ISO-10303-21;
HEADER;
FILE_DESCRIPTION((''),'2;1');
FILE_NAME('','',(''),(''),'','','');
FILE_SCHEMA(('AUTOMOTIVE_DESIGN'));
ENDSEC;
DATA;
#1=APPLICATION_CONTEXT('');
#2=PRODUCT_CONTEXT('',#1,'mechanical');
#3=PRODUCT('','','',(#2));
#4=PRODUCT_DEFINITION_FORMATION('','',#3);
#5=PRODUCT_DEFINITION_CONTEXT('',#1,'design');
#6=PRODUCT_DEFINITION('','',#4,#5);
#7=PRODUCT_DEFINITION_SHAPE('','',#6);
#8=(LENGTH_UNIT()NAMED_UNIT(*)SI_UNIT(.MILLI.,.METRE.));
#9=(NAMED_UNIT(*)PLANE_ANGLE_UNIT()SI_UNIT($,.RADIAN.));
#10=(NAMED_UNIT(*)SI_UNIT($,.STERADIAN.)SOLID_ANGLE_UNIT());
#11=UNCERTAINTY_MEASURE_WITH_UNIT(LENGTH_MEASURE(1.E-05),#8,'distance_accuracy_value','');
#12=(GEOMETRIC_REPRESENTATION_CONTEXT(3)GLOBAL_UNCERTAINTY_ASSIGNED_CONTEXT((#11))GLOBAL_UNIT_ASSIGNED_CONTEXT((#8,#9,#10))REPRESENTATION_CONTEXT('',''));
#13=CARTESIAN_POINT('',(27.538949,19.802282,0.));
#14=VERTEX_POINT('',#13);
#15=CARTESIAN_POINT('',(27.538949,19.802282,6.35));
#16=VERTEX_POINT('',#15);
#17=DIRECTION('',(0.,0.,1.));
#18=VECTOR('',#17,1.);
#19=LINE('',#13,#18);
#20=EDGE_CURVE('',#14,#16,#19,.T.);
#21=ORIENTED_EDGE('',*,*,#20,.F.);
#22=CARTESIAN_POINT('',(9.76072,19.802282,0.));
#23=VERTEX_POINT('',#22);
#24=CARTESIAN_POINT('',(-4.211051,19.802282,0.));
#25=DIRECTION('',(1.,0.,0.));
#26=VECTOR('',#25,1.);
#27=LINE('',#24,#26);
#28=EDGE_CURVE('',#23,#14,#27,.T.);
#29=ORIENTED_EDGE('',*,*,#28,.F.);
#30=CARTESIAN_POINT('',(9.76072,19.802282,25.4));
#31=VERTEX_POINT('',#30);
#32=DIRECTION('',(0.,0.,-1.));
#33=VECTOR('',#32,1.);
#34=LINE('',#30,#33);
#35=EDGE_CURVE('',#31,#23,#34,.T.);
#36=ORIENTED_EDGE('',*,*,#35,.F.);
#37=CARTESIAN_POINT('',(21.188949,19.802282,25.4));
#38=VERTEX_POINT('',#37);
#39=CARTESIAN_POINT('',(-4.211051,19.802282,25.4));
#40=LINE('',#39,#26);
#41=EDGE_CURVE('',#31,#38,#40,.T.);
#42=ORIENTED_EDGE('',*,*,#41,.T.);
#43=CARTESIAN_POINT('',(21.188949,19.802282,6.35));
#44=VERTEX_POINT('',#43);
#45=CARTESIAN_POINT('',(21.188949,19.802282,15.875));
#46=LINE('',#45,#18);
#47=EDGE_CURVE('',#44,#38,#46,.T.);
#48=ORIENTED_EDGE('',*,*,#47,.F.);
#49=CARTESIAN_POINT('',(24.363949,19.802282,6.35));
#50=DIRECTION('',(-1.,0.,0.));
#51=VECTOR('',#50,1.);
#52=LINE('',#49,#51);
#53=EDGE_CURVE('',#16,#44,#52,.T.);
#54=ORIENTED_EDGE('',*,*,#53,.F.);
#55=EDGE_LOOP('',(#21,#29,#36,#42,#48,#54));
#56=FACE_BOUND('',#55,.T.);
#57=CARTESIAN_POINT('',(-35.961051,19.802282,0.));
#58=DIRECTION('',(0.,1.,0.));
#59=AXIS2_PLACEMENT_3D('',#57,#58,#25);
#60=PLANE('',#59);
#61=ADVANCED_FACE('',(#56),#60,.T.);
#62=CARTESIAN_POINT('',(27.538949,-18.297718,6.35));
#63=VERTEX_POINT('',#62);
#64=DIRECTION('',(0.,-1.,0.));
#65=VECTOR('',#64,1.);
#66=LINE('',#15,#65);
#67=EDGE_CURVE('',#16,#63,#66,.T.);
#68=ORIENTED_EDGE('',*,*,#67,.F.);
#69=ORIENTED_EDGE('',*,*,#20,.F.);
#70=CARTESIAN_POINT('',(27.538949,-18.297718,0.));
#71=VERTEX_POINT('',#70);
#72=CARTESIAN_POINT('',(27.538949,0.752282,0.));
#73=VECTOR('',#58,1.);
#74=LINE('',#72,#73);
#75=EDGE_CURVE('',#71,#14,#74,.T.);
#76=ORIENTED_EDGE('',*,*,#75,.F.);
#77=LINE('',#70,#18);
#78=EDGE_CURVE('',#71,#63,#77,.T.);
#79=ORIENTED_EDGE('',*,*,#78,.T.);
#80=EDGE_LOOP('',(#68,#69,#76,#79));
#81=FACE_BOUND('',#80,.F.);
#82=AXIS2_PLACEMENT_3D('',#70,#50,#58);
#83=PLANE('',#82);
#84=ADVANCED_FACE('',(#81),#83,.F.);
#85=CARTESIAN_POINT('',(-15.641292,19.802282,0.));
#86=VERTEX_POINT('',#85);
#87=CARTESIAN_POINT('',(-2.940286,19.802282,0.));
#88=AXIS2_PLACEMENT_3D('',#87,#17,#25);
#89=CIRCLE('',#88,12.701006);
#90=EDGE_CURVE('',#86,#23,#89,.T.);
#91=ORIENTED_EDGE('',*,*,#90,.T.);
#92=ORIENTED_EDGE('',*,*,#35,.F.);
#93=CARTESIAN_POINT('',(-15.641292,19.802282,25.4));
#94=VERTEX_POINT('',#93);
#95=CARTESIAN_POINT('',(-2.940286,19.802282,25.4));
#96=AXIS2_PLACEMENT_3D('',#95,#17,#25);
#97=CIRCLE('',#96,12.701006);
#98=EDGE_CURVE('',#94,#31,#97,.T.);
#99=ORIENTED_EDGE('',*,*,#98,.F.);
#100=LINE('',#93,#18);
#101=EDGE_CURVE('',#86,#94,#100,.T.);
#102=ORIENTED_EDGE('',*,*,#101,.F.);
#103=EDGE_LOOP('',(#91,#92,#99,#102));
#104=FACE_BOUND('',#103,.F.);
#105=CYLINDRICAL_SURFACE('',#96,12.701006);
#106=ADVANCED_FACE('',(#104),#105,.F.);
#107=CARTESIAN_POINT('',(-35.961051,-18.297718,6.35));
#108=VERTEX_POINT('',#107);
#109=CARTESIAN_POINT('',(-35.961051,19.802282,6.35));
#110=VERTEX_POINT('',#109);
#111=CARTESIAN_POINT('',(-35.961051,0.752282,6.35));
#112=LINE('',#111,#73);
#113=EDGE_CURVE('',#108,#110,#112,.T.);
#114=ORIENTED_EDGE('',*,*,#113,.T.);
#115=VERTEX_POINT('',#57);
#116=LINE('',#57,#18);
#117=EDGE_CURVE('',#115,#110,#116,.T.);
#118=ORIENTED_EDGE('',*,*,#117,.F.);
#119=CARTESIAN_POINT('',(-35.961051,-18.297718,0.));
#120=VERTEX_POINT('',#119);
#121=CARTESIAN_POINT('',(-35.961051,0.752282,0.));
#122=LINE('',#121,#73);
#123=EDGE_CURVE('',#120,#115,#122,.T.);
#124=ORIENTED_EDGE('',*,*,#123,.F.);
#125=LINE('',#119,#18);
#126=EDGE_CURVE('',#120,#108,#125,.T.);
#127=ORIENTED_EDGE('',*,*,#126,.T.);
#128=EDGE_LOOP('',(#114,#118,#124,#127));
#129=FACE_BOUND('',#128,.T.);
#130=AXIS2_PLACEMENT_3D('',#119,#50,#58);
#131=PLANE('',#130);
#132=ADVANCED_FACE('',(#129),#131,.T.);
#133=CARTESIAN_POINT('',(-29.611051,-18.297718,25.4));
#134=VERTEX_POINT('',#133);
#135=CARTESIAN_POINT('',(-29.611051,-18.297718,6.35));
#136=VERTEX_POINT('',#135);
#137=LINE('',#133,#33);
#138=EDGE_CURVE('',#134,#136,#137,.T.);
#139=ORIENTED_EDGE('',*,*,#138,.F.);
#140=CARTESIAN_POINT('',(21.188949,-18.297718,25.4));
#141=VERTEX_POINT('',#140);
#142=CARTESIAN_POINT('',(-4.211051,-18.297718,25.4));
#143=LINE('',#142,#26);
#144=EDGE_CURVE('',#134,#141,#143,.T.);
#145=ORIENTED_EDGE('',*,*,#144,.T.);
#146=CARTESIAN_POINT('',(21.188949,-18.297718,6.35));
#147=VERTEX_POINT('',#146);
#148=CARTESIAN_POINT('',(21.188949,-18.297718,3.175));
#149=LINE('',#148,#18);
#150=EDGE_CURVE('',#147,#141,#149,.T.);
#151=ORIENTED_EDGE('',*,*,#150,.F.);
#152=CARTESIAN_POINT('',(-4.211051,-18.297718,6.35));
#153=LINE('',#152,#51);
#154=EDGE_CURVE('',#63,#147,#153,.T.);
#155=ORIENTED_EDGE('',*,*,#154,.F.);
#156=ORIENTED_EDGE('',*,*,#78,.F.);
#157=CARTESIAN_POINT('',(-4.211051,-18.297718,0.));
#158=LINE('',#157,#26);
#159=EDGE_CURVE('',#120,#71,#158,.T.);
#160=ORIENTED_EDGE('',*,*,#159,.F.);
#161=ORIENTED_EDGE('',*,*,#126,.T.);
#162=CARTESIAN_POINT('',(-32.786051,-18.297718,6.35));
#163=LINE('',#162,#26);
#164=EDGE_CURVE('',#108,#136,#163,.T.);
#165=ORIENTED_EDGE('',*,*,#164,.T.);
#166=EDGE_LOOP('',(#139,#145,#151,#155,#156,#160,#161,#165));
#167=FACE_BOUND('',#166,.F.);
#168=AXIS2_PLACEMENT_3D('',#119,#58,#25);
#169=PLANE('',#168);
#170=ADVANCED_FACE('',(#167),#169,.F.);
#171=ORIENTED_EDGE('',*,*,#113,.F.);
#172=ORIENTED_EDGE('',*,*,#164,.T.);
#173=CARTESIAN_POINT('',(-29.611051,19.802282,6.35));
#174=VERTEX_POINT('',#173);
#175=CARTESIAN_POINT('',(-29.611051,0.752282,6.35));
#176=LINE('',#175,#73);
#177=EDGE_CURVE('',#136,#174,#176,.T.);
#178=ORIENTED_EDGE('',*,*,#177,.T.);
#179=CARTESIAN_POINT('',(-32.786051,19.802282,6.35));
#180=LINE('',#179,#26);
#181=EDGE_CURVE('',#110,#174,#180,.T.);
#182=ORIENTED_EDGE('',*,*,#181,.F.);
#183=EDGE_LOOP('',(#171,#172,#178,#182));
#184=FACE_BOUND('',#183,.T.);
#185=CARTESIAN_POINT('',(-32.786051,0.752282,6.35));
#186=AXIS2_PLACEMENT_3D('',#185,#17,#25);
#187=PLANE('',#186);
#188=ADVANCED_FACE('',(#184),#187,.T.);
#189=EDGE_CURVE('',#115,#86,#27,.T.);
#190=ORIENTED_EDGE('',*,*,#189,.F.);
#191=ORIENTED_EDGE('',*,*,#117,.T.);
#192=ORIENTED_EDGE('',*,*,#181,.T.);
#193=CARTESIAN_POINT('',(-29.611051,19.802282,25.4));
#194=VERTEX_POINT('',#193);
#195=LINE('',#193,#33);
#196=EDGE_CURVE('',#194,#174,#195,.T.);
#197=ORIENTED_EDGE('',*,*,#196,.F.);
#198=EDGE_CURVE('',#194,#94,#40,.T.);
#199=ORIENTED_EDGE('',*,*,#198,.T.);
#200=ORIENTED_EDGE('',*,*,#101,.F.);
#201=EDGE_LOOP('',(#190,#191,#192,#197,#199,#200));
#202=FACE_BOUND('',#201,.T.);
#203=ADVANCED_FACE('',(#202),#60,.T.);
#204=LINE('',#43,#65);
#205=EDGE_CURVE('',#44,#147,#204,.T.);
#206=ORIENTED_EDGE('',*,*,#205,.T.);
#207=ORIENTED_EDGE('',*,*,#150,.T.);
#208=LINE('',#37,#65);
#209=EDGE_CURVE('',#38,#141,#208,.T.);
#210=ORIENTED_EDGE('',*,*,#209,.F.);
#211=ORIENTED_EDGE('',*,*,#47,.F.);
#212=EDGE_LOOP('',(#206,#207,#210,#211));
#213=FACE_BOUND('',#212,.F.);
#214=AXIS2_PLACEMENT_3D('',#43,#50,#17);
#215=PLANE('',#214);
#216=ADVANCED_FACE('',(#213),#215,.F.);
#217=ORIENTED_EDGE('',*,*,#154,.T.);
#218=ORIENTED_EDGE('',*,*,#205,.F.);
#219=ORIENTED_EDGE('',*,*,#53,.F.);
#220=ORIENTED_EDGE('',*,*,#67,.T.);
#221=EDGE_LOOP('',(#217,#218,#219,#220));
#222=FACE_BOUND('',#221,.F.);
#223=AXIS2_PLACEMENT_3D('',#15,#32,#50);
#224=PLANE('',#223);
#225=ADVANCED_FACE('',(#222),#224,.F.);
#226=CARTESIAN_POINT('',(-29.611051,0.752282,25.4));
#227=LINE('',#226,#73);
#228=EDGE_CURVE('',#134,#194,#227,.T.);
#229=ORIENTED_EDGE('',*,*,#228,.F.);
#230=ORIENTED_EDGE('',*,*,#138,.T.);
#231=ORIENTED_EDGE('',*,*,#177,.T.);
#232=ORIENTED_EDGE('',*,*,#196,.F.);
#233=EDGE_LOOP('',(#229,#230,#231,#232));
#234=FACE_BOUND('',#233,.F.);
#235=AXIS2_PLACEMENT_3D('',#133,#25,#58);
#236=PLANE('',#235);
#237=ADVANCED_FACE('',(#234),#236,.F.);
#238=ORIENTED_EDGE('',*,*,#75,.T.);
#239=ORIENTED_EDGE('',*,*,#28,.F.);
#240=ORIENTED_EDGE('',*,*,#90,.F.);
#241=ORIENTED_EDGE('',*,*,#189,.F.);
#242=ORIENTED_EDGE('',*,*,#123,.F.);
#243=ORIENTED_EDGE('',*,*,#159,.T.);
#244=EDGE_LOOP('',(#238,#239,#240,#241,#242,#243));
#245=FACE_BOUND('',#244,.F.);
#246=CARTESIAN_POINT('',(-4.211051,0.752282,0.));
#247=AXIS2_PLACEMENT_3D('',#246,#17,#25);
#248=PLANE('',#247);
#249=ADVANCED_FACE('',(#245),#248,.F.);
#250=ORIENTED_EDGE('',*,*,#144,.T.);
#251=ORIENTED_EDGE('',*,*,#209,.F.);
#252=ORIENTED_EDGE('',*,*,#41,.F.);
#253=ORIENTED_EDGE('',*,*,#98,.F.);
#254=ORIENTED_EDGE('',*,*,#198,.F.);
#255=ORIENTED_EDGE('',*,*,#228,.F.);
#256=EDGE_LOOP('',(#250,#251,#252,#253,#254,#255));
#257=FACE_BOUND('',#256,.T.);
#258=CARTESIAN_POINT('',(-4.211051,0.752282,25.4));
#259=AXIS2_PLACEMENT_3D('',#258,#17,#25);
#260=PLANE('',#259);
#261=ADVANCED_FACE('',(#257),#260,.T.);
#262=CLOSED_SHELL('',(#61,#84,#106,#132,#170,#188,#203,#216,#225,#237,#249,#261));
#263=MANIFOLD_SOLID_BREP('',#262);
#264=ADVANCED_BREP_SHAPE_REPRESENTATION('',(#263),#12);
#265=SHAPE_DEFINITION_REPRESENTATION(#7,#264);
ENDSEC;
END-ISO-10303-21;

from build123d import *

# Parameters (mm, degrees)
F0_W     = 63.5
F0_H     = 38.1
F1_DEPTH = 25.4
F2_W     = 6.35
F2_H     = 38.1
F3_DEPTH = 19.05
F5_W     = 6.35
F5_H     = 19.05
F6_DEPTH = 38.101
F7_R     = 12.701006
F8_DEPTH = 25.401


with BuildPart() as f1:
    # F0 (on Top) → F1 (new body)
    with BuildSketch(Plane.XY):
        with Locations((-4.211051, 0.752282)):
            Rectangle(F0_W, F0_H)
    extrude(amount=F1_DEPTH)

    # F2 (on face) → F3 (cut)
    with BuildSketch(Plane.XY.offset(25.4)):
        with Locations((-32.786051, 0.752282)):
            Rectangle(F2_W, F2_H)
    extrude(amount=-F3_DEPTH, mode=Mode.SUBTRACT)

    # F5 (on face) → F6 (cut, through all)
    with BuildSketch(Plane(origin=(0, 19.802282, 0), x_dir=(-1, 0, 0), z_dir=(0, 1, 0))):
        with Locations((-24.363949, 15.875)):
            Rectangle(F5_W, F5_H)
    extrude(amount=-F6_DEPTH, mode=Mode.SUBTRACT)

    # F7 (on face) → F8 (cut, through all)
    with BuildSketch(Plane.XY.offset(25.4)):
        with Locations((-2.940286, 19.802282)):
            Circle(F7_R)
    extrude(amount=-F8_DEPTH, mode=Mode.SUBTRACT)


solid = f1.part
